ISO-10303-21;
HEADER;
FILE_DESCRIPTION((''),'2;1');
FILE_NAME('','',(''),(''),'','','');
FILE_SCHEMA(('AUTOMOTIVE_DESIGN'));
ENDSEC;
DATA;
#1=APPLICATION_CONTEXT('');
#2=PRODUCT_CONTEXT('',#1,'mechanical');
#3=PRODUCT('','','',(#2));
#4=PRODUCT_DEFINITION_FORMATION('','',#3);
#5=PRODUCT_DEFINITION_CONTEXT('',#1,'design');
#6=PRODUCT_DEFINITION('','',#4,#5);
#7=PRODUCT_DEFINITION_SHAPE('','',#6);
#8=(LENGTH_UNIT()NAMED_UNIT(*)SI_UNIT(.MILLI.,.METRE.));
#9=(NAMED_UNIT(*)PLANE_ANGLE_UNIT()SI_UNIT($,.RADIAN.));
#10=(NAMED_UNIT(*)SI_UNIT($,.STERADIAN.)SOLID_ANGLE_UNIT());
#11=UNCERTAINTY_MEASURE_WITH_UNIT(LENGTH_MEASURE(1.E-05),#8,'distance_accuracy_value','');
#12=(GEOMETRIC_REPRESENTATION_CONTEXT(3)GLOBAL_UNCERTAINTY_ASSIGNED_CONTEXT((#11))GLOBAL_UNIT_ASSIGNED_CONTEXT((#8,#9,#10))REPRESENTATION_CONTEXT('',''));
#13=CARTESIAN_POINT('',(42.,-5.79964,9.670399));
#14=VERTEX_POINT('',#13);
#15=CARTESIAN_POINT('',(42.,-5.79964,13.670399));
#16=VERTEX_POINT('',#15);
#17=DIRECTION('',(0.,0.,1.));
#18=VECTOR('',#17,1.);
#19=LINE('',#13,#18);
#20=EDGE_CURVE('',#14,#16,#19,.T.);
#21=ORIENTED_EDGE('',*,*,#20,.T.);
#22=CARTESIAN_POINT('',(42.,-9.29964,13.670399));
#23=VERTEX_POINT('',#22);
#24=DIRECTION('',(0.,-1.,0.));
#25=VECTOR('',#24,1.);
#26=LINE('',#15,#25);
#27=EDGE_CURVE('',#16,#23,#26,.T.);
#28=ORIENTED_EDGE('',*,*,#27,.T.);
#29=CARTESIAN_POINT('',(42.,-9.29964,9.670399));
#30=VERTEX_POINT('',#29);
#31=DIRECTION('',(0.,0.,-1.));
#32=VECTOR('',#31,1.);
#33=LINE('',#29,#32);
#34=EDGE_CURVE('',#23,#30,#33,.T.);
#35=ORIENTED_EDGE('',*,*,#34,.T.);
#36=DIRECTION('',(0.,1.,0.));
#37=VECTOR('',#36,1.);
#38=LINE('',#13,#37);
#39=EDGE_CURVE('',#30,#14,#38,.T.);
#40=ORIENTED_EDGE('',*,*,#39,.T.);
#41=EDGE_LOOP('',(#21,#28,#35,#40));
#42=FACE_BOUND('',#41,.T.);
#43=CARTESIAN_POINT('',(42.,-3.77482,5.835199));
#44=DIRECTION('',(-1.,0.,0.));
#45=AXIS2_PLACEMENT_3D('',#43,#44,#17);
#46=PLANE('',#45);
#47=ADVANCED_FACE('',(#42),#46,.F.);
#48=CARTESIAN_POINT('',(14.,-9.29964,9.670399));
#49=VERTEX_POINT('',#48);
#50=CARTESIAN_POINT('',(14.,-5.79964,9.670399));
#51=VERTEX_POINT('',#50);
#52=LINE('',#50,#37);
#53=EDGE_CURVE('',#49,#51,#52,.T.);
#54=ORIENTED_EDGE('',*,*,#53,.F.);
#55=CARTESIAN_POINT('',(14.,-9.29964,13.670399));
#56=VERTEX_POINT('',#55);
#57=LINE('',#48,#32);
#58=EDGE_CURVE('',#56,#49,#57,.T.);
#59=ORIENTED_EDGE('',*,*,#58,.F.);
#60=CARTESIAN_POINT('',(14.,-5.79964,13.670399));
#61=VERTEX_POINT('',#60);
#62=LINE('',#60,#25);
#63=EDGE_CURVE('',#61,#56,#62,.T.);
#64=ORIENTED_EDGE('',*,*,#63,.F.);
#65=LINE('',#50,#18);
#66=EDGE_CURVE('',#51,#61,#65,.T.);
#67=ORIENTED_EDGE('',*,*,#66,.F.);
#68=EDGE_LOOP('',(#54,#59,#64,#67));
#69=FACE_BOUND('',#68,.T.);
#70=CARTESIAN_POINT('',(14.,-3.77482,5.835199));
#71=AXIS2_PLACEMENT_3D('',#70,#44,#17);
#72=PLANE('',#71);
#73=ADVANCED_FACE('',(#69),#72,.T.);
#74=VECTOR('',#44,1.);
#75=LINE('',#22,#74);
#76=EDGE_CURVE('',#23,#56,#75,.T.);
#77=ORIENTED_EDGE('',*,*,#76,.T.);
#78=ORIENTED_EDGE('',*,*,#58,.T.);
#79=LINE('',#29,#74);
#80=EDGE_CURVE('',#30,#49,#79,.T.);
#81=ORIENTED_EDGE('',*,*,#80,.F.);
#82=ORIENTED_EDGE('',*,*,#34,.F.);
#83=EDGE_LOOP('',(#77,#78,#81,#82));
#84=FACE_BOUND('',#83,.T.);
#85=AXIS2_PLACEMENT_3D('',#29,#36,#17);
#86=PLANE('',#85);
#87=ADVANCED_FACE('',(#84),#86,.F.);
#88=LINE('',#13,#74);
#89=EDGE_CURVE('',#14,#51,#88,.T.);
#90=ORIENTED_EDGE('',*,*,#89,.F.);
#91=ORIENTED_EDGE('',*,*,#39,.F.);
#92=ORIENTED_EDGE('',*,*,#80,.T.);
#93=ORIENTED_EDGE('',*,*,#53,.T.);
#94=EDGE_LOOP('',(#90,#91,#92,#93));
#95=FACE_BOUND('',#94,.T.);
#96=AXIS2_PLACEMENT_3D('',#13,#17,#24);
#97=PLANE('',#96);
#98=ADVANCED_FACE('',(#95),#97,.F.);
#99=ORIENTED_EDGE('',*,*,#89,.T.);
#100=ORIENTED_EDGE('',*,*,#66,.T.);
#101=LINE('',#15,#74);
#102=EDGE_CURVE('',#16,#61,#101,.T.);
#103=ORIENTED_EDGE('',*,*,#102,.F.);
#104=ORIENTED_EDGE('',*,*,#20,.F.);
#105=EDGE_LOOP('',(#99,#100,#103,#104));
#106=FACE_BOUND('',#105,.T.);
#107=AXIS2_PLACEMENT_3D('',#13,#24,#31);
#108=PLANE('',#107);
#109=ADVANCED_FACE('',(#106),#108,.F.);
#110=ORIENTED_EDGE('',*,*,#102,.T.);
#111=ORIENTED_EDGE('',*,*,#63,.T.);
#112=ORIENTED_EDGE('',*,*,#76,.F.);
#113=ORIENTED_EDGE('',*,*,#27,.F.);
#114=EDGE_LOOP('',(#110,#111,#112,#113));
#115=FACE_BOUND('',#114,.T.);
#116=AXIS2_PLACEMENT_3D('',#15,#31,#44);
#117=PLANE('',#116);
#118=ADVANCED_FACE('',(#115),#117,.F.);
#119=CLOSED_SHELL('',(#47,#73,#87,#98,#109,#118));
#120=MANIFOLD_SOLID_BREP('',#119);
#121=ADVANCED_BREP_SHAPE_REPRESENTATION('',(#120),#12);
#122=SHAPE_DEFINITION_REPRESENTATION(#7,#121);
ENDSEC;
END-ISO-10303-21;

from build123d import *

# Parameters (mm, degrees)
SKETCH1_W           = 8
SKETCH1_H           = 7
BOSS_EXTRUDE1_DEPTH = 56
ESCALA1_SCALE       = 0.5


with BuildPart() as part:
    # Sketch1 → Boss-Extrude1 (new body)
    with BuildSketch(Plane(origin=(0, 0, 0), x_dir=(0, 0, -1), z_dir=(1, 0, 0))):
        with Locations((-11.670398622, -7.549640054)):
            Rectangle(SKETCH1_W, SKETCH1_H)
    extrude(amount=BOSS_EXTRUDE1_DEPTH)


with BuildPart() as part_1:
    # Escala1: scaled about (28, -7.549640054, 11.670398622)
    add(part.part.scale(ESCALA1_SCALE).moved(Location((14, -3.774820027, 5.835199311))))


solid = part_1.part
